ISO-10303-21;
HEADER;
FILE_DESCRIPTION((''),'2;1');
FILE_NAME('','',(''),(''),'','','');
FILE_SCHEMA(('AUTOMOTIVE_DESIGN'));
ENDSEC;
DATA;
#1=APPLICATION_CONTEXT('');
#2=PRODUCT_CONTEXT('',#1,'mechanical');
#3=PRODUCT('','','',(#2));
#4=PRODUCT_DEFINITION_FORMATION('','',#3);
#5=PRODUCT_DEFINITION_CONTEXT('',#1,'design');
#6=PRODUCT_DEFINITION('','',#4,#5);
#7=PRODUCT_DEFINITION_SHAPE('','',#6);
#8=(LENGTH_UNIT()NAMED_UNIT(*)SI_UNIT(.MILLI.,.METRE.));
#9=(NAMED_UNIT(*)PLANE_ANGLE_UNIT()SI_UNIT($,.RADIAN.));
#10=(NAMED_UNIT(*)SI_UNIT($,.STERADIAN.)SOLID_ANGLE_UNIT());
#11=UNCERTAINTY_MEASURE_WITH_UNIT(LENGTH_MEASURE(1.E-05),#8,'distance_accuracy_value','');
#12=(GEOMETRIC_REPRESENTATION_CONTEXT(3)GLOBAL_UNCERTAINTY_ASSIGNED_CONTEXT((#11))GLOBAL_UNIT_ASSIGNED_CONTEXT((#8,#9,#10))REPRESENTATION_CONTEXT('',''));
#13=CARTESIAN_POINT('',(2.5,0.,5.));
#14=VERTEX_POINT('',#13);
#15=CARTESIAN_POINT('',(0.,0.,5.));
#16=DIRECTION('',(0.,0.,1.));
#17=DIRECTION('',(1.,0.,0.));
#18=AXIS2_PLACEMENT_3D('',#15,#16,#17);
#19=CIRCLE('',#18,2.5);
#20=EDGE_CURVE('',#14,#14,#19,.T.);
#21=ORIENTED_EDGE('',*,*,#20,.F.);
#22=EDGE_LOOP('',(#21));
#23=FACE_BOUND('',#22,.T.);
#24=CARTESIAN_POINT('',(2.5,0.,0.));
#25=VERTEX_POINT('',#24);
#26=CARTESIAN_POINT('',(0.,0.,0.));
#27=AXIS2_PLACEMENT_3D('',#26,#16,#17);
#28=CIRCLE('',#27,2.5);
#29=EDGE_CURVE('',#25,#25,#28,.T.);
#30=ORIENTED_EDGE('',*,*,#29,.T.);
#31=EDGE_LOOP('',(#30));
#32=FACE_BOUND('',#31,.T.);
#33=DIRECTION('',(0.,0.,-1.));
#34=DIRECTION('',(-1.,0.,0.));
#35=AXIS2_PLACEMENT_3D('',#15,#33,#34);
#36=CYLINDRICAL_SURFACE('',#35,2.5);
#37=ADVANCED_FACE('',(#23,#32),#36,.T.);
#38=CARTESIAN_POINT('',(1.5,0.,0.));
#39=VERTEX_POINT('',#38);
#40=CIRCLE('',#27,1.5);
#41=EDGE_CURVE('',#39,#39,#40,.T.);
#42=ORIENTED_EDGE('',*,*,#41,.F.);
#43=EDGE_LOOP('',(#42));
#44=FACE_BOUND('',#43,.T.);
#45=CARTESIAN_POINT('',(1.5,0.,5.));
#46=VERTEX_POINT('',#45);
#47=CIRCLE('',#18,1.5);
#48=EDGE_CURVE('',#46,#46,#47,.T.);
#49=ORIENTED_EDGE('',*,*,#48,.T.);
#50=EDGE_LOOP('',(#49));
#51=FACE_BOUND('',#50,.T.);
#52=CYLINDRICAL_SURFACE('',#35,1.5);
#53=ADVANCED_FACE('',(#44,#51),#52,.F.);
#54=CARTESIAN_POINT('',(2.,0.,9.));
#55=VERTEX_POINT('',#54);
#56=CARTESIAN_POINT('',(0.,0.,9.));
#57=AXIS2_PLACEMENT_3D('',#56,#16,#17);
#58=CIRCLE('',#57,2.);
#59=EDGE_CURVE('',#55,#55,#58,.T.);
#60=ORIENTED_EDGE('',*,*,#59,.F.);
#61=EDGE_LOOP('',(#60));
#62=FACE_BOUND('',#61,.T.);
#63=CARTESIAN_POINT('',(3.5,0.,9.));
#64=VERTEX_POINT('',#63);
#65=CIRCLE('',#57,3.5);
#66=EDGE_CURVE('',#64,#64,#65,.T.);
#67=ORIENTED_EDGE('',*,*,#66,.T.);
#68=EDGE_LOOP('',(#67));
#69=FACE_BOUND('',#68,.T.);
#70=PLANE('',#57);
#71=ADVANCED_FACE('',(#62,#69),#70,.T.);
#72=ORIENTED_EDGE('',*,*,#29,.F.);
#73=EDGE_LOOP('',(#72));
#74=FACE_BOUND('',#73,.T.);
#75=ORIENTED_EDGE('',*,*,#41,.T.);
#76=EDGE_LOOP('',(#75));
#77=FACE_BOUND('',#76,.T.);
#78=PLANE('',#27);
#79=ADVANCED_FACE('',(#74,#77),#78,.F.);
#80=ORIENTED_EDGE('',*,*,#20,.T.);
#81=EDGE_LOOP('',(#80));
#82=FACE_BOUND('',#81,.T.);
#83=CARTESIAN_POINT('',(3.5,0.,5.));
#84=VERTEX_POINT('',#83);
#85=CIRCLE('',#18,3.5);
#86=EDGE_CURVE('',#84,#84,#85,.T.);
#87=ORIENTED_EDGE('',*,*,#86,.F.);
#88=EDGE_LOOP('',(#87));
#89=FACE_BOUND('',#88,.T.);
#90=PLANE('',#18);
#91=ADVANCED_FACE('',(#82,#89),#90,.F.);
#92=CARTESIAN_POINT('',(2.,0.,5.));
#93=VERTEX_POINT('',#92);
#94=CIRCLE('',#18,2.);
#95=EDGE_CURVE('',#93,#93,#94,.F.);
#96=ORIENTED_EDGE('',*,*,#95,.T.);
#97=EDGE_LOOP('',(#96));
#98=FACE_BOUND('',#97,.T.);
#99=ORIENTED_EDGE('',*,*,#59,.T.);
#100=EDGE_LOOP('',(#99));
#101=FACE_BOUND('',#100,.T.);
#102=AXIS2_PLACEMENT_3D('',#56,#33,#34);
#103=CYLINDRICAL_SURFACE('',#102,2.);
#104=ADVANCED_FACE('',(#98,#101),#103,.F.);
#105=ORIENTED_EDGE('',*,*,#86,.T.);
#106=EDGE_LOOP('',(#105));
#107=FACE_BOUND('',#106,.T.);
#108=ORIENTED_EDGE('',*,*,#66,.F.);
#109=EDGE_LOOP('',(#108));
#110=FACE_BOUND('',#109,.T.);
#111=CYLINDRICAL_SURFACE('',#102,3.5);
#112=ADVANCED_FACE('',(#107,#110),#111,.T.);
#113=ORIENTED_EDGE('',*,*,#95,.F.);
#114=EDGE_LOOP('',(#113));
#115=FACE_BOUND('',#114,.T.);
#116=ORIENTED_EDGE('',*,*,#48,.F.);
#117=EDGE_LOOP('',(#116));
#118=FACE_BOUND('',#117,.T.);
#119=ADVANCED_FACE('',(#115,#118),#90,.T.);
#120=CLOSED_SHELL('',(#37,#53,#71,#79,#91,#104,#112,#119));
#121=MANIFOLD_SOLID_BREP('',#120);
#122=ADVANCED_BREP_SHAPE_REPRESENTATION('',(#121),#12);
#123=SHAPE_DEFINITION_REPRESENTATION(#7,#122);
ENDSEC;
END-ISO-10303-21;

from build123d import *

# Parameters (mm, degrees)
SKETCH1_R      = 2.5
SKETCH1_R_2    = 1.5
EXTRUDE1_DEPTH = 5
SKETCH2_R      = 3.5
SKETCH2_R_2    = 2
EXTRUDE2_DEPTH = 4


with BuildPart() as part:
    # Sketch1 → Extrude1 (new body)
    with BuildSketch(Plane.XY):
        Circle(SKETCH1_R)
        Circle(SKETCH1_R_2, mode=Mode.SUBTRACT)
    extrude(amount=EXTRUDE1_DEPTH)

    # Sketch2 → Extrude2 (add)
    with BuildSketch(Plane.XY.offset(5)):
        Circle(SKETCH2_R)
        Circle(SKETCH2_R_2, mode=Mode.SUBTRACT)
    extrude(amount=EXTRUDE2_DEPTH)


solid = part.part
